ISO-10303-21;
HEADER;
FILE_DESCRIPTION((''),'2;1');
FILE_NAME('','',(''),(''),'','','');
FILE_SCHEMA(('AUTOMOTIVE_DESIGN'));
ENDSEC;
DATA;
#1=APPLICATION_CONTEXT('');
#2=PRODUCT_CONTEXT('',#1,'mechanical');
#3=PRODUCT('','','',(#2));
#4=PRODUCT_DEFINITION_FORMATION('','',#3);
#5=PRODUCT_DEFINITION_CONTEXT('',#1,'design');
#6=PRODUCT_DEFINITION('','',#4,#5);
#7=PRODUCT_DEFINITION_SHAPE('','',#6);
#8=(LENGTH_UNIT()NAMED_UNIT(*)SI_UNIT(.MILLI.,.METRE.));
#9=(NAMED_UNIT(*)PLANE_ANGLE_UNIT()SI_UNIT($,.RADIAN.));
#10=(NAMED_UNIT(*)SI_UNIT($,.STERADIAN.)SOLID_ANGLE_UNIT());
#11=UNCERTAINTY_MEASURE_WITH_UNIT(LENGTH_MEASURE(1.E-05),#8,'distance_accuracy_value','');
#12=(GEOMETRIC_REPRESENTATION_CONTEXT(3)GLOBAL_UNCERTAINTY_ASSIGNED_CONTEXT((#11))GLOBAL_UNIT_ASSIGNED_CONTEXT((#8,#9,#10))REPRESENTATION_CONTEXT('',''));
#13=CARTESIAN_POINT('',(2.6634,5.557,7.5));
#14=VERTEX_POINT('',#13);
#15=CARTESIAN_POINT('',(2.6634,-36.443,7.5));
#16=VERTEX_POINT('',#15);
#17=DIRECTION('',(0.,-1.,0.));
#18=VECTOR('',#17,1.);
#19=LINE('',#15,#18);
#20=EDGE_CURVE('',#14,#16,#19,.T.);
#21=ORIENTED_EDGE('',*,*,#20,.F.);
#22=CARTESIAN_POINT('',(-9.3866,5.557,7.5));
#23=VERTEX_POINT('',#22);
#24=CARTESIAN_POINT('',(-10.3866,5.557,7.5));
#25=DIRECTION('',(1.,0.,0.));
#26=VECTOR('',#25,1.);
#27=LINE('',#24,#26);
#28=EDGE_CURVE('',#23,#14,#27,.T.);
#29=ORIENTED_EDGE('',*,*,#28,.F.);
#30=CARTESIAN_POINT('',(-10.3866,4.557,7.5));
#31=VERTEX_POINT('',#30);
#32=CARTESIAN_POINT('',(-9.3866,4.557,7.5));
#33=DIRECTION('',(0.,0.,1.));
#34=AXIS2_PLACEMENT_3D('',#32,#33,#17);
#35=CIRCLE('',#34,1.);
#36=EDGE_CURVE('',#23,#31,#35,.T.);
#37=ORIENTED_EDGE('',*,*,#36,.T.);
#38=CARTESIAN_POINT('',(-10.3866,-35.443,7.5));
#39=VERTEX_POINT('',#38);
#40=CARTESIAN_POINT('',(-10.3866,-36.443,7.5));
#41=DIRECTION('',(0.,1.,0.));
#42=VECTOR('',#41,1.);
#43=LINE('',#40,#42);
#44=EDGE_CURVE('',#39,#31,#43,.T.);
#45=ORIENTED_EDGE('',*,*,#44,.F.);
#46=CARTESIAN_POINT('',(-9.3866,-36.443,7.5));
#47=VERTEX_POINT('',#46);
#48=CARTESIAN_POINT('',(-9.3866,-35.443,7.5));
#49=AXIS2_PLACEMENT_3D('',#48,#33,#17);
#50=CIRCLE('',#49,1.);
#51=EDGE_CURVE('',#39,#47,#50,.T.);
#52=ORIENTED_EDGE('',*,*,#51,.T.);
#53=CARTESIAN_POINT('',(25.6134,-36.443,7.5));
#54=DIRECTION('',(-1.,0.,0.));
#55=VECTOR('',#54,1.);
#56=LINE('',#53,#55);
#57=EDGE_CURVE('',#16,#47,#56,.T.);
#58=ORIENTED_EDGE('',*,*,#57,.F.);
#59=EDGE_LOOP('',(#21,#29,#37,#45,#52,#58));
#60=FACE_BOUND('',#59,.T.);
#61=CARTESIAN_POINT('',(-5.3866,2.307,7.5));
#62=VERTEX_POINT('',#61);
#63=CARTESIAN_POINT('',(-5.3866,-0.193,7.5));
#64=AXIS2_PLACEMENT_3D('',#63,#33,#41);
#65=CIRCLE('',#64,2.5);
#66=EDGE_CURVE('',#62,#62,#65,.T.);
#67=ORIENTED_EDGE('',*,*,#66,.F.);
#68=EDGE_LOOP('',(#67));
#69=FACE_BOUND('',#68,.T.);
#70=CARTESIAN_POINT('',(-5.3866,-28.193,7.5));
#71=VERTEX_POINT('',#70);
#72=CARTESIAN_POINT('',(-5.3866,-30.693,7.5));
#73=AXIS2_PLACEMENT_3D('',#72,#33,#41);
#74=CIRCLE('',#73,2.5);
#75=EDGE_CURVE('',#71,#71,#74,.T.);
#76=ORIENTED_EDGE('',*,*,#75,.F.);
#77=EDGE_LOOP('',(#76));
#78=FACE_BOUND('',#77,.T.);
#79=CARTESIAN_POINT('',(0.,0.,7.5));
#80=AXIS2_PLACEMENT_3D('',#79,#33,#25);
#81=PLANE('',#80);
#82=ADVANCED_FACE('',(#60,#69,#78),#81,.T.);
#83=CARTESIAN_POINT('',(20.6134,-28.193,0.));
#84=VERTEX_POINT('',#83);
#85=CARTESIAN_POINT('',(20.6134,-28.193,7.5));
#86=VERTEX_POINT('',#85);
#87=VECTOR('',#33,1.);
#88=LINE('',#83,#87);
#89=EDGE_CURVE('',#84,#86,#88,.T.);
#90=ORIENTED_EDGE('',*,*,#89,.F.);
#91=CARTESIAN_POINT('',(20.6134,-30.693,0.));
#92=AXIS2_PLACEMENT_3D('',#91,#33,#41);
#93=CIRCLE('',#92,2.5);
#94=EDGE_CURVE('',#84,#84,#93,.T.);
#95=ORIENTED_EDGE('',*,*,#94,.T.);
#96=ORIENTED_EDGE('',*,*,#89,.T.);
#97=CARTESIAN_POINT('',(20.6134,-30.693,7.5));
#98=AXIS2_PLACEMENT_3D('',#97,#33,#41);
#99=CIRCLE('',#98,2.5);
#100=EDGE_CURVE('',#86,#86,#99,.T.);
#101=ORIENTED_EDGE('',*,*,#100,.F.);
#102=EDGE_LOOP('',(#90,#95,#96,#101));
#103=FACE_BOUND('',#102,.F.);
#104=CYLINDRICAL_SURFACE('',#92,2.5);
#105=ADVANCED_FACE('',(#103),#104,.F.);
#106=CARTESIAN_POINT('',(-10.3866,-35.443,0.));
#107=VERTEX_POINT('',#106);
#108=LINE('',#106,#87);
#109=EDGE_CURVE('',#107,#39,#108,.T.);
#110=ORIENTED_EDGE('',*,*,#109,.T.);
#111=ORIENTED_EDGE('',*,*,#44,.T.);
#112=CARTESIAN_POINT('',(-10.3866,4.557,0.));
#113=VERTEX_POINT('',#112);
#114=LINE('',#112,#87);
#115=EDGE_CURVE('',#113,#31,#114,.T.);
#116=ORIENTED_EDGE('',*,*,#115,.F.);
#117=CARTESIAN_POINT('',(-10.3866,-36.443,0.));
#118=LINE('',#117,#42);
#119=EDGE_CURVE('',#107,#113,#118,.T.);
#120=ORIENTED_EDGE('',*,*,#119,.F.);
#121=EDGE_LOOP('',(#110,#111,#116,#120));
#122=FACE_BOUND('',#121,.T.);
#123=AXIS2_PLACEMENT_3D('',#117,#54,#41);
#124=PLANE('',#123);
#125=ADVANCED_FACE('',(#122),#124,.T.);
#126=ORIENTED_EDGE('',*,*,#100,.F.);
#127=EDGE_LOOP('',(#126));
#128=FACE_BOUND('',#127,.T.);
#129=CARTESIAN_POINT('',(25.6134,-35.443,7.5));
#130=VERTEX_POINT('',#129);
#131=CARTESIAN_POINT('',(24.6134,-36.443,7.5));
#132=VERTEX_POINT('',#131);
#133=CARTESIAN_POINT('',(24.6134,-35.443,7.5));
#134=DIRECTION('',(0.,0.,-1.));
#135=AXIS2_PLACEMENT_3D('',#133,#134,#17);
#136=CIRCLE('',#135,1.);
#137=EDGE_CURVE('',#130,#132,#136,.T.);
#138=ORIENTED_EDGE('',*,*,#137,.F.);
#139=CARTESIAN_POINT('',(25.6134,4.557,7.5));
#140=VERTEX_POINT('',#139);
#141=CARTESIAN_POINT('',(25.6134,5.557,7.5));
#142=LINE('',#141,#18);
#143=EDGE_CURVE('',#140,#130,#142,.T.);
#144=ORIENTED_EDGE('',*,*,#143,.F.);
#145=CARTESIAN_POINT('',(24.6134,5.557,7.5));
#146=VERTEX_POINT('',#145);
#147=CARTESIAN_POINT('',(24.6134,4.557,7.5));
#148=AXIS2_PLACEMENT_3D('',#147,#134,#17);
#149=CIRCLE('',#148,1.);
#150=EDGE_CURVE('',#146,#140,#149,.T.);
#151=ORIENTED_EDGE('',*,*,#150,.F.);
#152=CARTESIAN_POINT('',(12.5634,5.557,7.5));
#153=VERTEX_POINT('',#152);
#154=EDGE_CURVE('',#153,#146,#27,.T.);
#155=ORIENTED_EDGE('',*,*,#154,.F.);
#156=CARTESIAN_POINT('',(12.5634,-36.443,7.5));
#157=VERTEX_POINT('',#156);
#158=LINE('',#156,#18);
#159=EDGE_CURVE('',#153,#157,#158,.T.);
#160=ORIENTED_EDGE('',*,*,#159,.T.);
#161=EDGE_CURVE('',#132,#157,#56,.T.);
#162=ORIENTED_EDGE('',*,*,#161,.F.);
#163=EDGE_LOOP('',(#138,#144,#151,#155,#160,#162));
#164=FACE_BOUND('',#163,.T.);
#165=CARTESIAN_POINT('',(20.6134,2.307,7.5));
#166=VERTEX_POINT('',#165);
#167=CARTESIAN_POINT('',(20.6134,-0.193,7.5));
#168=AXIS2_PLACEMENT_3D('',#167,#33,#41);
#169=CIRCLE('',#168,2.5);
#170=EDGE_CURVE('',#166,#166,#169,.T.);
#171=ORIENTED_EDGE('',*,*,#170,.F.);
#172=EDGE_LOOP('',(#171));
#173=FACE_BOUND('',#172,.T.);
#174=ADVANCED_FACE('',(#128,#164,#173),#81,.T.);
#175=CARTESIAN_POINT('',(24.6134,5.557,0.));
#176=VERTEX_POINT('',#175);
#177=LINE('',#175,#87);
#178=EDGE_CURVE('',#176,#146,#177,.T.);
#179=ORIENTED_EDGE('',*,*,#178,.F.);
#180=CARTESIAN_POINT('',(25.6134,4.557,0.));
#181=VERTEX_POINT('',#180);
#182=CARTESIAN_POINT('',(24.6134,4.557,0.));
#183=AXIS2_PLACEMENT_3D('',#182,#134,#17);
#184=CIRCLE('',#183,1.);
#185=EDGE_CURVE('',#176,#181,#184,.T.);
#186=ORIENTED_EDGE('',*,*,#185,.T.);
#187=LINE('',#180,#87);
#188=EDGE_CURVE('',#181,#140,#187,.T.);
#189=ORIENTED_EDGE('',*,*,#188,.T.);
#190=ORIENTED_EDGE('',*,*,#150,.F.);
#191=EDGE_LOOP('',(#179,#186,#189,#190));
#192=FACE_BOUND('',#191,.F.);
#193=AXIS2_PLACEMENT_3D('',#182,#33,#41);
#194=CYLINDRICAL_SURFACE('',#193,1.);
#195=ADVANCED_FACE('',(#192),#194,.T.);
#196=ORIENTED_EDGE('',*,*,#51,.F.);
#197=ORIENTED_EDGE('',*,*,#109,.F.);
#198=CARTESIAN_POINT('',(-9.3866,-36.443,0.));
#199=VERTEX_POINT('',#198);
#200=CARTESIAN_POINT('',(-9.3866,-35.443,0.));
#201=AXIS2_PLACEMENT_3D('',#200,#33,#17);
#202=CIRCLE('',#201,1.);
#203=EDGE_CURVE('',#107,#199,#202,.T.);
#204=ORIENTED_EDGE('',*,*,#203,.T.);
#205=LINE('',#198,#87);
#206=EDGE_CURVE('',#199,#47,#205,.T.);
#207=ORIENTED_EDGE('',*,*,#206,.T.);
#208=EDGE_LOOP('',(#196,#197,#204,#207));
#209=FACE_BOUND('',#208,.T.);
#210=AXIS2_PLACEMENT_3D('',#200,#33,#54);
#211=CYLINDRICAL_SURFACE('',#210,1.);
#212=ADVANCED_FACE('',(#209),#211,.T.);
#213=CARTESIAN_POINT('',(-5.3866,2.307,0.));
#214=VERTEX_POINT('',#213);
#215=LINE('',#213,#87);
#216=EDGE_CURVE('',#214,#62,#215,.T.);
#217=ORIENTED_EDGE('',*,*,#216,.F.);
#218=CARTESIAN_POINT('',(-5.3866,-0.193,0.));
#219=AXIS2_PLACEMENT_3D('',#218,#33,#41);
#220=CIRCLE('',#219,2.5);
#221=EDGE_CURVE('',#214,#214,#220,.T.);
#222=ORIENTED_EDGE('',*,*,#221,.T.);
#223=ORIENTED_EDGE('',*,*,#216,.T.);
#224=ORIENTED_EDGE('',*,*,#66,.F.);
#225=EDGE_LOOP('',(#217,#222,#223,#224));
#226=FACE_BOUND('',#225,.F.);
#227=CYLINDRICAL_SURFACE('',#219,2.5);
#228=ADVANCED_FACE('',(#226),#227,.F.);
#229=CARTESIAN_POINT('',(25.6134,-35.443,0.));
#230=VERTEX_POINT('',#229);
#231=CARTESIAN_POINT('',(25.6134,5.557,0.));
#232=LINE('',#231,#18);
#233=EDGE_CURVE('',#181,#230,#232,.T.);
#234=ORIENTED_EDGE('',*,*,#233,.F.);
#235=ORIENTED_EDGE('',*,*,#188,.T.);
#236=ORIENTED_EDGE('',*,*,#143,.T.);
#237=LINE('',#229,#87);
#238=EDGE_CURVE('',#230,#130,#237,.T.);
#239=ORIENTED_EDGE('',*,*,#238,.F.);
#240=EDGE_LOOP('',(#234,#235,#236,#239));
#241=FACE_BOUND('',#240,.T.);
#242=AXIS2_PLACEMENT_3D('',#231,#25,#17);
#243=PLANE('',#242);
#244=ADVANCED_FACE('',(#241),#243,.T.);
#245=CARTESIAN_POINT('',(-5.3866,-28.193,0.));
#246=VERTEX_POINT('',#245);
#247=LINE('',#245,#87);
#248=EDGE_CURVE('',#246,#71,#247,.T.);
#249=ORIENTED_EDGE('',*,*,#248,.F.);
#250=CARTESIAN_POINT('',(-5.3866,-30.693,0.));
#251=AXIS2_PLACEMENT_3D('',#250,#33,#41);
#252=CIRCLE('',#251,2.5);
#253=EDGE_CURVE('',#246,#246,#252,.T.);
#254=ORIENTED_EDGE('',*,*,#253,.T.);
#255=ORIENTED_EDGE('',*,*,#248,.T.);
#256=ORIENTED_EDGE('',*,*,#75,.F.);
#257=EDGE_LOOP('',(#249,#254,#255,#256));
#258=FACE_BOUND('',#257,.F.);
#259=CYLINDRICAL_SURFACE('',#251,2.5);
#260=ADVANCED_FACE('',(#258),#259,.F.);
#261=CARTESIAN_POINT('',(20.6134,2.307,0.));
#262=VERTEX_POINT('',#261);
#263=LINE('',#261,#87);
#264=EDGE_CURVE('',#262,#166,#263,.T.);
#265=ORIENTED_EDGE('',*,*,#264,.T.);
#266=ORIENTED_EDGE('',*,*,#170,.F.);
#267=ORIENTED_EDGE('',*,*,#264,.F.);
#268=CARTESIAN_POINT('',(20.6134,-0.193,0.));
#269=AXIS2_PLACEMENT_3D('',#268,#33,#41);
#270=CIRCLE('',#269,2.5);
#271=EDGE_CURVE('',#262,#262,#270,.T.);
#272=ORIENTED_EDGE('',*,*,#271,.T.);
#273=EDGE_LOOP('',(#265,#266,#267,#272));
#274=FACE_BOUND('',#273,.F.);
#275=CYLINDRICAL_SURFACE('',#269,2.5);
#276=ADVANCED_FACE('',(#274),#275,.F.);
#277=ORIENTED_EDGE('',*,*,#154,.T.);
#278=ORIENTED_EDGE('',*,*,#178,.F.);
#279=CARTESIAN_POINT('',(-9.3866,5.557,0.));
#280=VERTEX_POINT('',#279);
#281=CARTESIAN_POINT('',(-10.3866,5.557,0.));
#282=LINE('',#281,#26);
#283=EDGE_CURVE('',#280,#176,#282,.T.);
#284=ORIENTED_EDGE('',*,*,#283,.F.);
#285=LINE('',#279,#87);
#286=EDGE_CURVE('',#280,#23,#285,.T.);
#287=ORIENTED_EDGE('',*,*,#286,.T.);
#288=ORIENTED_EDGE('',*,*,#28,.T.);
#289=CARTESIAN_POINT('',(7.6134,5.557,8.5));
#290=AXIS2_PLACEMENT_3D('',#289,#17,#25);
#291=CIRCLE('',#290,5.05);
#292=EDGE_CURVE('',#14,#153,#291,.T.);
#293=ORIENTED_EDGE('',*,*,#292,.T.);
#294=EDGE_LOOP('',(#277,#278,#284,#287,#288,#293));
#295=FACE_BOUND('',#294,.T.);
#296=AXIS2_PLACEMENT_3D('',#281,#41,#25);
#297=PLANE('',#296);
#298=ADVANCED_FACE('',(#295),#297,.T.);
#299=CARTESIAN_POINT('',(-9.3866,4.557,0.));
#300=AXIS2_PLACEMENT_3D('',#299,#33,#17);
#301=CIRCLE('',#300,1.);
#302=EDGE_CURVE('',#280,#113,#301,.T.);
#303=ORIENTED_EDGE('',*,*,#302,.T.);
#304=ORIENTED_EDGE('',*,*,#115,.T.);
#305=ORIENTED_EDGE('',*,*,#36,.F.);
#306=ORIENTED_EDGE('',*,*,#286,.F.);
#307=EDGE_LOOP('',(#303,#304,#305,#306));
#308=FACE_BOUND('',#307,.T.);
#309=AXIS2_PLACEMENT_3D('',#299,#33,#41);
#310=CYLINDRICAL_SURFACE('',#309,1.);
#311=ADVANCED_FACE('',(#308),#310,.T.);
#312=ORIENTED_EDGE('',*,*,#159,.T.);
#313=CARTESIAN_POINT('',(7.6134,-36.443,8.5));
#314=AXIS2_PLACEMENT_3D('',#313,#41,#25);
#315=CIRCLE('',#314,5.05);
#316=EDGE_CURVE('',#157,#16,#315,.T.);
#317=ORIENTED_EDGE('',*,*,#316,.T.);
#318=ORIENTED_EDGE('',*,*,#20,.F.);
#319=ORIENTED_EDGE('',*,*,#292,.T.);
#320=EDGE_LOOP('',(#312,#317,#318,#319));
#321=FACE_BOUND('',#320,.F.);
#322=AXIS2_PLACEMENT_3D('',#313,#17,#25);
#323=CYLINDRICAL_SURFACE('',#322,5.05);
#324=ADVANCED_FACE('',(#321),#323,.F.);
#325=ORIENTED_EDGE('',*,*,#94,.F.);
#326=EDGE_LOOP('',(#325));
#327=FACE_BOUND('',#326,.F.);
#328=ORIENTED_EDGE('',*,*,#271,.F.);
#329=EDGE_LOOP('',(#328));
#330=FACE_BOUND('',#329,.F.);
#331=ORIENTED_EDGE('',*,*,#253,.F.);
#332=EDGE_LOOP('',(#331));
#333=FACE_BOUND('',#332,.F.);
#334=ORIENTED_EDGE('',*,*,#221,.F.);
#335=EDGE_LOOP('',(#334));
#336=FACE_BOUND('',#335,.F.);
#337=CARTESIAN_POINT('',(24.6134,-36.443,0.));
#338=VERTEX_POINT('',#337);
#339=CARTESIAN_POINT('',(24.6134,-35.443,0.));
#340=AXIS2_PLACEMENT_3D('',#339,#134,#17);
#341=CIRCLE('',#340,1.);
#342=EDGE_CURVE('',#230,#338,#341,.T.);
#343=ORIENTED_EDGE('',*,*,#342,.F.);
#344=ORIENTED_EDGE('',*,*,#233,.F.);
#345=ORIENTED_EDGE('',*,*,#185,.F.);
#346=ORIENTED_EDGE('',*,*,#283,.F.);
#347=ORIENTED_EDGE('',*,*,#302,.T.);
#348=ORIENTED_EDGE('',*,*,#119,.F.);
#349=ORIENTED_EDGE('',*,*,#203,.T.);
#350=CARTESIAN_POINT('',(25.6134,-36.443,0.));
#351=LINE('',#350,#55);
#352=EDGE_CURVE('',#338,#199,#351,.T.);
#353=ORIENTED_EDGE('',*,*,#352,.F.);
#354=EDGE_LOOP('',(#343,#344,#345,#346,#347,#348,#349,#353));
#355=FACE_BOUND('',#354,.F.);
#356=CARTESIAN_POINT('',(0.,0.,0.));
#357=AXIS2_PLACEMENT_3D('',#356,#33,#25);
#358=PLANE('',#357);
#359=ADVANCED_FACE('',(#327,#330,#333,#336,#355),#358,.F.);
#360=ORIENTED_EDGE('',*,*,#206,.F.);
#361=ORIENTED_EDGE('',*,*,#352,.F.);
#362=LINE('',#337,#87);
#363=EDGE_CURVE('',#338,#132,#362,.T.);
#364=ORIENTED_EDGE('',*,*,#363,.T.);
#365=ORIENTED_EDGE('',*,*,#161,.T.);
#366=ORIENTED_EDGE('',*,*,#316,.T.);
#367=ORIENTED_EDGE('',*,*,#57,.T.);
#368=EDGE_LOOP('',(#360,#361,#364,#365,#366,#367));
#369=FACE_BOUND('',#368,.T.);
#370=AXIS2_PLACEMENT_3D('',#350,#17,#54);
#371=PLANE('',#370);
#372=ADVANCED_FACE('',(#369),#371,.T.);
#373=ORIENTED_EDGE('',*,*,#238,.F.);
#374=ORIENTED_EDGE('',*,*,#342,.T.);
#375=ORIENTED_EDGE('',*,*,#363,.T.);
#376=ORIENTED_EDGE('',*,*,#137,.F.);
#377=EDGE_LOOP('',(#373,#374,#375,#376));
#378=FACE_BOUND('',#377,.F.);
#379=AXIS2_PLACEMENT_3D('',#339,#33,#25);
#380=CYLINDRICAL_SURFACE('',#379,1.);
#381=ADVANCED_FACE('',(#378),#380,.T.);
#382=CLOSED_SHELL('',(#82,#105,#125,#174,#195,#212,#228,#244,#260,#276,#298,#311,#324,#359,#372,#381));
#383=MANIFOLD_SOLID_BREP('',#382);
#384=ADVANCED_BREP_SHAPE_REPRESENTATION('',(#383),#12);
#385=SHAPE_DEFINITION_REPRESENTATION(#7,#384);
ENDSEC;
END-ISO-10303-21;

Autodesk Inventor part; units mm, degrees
ref_plane "YZ Plane" through (0, 0, 0) normal (1, 0, 0) x (0, 1, 0)
ref_plane "XZ Plane" through (0, 0, 0) normal (0, 1, 0) x (-1, 0, 0)
ref_plane "XY Plane" through (0, 0, 0) normal (0, 0, 1) x (1, 0, 0)
sketch "Szkic1" plane through (0, 0, 0) normal (0, 0, 1) x (1, 0, 0)
  line L0 (-10.3866, 5.557) -> (25.6134, 5.557)
  line L1 (25.6134, 5.557) -> (25.6134, -36.443)
  line L2 (25.6134, -36.443) -> (-10.3866, -36.443)
  line L3 (-10.3866, -36.443) -> (-10.3866, 5.557)
  point P0 (0, 0)
  point P1 (20.6134, -0.193)
  point P2 (20.6134, -30.693)
  point P3 (-5.3866, -0.193)
  point P4 (-5.3866, -30.693)
  dimension "d0" = 36
  dimension "d1" = 42
  dimension "d2" = 5
  dimension "d3" = 5
  dimension "d4" = 5
  dimension "d5" = 5
  dimension "d6" = 5.75
  dimension "d7" = 5.75
  dimension "d8" = 5.75
  dimension "d9" = 5.75
extrude "Wyciągnięcie proste1" add sketch "Szkic1" along normal blind 7.5
hole "Otwór1" at (20.6134, -0.193, 0) at (20.6134, -30.693, 0) at (-5.3866, -0.193, 0) at (-5.3866, -30.693, 0) direction (0, 0, 1) diameter 5 end through all
sketch "Szkic2" plane through (-10.3866, -36.443, 0) normal (0, -1, 0) x (1, 0, 0)
  line L0 (36, 0) -> (0, 0) projected
  line L1 (36, 0) -> (36, 7.5) projected
  line L2 (0, 7.5) -> (36, 7.5) projected
  line L3 (0, 0) -> (0, 7.5) projected
  line L4 (36, 7.5) -> (0, 7.5) projected
  circle A0 centre (18, 8.5) radius 5.05
  point P0 (10.3866, 0)
  dimension "d19" = 36
  dimension "d25" = 8.5
  dimension "d26" = 18
  dimension "d27" = 10.1
  dimension "d28" = 7.5
extrude "Wyciągnięcie proste2" cut sketch "Szkic2" against normal through all contours A0 L2 | L2 A0
fillet "Zaokrąglenie1" radius 1 4 edges at (-10.3866, -36.443, 3.75) (-10.3866, 5.557, 3.75) (25.6134, -36.443, 3.75) (25.6134, 5.557, 3.75)
equation "\"d7\" = d6"
equation "\"d8\" = d7"
equation "\"d9\" = d6"
equation "\"d26\" = 0.5 * d19"
properties part number "3DP_ABS_X_Axis_Linear_Shaft_Clamp_Top"
